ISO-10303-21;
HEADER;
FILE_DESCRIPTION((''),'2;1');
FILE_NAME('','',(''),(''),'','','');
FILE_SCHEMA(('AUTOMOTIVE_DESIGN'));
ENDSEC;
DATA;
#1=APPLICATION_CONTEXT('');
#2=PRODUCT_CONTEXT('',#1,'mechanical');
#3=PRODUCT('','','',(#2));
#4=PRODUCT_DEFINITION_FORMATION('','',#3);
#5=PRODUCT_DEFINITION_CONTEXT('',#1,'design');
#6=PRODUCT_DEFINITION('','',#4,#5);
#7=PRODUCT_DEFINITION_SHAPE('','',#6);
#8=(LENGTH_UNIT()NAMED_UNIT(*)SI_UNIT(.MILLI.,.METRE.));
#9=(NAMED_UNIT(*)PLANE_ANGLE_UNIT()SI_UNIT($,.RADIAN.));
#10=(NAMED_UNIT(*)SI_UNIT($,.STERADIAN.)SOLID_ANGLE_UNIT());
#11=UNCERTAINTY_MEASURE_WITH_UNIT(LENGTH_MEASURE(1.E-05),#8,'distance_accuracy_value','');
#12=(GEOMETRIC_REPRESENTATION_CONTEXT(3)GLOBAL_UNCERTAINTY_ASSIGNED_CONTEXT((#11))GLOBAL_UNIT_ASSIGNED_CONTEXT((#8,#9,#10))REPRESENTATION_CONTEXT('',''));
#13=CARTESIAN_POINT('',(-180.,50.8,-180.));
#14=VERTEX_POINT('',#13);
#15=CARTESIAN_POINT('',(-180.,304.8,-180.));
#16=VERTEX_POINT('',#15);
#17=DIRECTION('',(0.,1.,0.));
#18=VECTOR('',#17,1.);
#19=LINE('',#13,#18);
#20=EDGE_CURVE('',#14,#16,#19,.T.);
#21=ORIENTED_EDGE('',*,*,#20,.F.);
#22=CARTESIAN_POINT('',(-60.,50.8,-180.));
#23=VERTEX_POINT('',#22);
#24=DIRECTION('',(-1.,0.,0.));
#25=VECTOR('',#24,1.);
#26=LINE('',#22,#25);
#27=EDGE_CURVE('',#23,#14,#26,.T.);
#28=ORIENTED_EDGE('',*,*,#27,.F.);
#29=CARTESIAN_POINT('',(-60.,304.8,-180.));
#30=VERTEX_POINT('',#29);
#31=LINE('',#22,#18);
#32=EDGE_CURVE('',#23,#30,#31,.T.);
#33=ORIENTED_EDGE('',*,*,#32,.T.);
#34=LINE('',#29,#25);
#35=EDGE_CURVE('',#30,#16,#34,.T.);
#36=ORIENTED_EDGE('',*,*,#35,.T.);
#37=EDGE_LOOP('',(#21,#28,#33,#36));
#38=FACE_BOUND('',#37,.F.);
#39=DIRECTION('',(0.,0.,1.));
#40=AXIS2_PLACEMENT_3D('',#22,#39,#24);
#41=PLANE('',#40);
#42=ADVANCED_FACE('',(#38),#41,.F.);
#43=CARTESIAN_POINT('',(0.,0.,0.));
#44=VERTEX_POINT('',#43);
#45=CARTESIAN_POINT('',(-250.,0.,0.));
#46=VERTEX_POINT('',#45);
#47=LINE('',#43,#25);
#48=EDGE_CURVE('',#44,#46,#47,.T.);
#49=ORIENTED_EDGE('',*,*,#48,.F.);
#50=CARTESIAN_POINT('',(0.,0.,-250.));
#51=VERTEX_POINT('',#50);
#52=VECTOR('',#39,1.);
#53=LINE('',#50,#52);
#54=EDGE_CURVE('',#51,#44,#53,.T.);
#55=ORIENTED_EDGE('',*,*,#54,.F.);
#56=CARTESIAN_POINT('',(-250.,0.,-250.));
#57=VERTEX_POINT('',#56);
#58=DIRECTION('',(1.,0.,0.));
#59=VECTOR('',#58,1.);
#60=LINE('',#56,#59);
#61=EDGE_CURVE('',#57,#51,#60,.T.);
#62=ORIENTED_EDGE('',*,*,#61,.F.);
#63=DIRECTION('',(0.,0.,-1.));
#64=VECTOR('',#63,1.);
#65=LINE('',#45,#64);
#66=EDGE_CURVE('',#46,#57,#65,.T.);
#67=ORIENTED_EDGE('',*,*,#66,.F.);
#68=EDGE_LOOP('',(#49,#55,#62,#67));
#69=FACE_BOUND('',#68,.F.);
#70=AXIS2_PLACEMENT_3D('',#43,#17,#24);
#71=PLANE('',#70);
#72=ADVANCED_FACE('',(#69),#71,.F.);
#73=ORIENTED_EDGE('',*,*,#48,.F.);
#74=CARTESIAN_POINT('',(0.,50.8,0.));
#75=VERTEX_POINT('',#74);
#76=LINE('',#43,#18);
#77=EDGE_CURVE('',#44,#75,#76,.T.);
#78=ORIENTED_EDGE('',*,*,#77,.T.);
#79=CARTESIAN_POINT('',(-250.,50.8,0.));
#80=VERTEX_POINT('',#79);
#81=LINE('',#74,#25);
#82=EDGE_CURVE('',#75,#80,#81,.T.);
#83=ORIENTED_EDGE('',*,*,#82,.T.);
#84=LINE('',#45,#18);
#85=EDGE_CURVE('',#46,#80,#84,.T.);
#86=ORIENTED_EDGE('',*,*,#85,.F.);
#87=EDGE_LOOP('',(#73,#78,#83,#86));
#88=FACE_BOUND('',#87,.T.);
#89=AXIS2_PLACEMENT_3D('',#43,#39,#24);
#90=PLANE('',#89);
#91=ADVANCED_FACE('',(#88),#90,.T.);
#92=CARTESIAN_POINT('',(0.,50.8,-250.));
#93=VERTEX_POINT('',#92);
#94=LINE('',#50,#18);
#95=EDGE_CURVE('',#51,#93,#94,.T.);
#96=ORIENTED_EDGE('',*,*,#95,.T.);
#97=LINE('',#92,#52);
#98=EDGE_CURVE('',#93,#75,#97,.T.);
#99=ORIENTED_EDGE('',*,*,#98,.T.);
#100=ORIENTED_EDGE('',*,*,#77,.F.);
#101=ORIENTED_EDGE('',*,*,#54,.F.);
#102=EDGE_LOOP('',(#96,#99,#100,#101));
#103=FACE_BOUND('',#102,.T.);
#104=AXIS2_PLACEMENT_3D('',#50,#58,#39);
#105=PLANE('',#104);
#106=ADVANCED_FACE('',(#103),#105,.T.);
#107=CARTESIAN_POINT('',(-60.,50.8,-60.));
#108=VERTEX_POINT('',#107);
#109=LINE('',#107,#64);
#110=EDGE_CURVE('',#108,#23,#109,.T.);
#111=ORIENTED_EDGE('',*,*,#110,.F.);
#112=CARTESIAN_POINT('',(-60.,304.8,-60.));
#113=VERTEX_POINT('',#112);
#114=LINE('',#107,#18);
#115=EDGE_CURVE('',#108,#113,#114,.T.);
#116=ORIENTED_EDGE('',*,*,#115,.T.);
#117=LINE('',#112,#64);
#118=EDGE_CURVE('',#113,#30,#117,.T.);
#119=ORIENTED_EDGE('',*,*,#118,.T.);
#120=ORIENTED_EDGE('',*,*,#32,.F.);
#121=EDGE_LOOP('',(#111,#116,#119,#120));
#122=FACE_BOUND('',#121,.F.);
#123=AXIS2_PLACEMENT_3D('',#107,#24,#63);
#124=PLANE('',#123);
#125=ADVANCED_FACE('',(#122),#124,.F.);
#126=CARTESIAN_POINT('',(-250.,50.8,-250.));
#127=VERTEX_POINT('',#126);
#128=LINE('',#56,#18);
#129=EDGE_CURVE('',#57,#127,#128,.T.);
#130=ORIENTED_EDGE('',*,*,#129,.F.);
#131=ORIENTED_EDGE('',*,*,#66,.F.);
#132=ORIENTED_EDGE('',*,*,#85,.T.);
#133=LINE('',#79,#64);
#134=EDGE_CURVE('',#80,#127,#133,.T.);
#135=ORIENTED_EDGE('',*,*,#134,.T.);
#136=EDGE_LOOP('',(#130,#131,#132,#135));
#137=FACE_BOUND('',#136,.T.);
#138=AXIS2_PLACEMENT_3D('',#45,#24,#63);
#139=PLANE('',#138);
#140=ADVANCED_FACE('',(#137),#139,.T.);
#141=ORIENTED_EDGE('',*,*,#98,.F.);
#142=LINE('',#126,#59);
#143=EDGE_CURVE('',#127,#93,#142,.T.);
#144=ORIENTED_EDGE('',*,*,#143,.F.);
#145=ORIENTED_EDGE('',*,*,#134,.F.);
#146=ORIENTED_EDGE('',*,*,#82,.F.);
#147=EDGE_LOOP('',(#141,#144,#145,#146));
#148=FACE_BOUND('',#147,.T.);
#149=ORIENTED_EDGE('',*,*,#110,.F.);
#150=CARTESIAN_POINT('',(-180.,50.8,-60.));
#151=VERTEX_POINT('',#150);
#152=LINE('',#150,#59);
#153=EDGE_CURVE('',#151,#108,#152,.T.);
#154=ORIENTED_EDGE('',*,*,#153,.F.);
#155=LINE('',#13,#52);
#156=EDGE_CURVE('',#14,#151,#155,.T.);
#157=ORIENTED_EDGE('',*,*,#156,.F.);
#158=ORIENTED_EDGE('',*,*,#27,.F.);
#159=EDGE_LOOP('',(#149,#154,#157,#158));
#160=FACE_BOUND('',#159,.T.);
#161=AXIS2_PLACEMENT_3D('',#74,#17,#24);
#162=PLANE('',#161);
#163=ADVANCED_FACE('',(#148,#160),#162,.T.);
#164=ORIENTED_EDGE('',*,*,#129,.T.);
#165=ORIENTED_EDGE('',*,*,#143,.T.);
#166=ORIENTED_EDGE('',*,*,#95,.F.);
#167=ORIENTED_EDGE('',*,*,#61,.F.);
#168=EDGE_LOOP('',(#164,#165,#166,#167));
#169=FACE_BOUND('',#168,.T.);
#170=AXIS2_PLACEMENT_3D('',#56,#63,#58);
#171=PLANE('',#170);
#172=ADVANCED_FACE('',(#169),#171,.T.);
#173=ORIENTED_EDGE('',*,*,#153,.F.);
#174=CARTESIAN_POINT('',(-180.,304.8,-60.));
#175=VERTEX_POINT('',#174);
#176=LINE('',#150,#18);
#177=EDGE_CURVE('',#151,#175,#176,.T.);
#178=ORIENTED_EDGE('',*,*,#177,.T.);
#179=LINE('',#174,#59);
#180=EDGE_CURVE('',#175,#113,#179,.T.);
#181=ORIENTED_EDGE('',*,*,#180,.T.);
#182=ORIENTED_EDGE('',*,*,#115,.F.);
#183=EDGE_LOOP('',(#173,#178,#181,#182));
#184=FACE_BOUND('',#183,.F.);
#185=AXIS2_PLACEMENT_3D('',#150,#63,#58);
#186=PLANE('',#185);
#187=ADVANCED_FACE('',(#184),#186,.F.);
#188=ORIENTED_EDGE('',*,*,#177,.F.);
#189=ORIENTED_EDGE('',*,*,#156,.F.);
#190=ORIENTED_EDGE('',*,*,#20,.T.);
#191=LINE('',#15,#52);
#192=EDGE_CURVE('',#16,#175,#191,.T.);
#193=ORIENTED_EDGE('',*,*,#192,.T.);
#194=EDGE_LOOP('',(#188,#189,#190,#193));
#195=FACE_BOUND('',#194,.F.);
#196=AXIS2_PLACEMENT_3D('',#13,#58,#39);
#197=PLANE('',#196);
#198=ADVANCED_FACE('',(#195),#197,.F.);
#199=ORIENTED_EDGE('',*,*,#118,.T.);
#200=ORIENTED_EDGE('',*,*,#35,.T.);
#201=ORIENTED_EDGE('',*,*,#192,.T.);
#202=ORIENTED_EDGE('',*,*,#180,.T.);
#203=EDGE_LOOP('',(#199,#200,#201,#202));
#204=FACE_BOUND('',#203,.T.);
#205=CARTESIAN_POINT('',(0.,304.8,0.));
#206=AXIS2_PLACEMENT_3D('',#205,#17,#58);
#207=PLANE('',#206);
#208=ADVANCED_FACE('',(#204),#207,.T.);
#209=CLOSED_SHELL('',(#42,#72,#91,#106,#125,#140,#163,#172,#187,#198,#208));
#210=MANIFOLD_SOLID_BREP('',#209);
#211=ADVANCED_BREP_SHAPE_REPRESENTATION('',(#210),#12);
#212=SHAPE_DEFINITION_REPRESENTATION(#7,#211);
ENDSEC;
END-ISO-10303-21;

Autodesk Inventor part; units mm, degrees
ref_plane "YZ Plane" through (0, 0, 0) normal (1, 0, 0) x (0, 1, 0)
ref_plane "XZ Plane" through (0, 0, 0) normal (0, 1, 0) x (-1, 0, 0)
ref_plane "XY Plane" through (0, 0, 0) normal (0, 0, 1) x (1, 0, 0)
sketch "Sketch1" plane through (0, 0, 0) normal (0, 1, 0) x (-1, 0, 0)
  line L0 (0, 0) -> (250, 0)
  line L1 (250, 0) -> (250, -250)
  line L2 (250, -250) -> (0, -250)
  line L3 (0, -250) -> (0, 0)
  dimension "d0" = 250
  dimension "d1" = 250
extrude "Extrusion1" add sketch "Sketch1" along normal blind 50.8
sketch "Sketch2" plane through (0, 50.8, 0) normal (0, 1, 0) x (1, 0, 0)
  line L0 (-180, 60) -> (-60, 60)
  line L1 (-60, 60) -> (-60, 180)
  line L2 (-60, 180) -> (-180, 180)
  line L3 (-180, 180) -> (-180, 60)
  point P0 (0, 0)
  dimension "d4" = 120
  dimension "d5" = 120
  dimension "d6" = 60
  dimension "d7" = 180
extrude "Extrusion2" add sketch "Sketch2" along normal blind 254
properties part number "Piece"
